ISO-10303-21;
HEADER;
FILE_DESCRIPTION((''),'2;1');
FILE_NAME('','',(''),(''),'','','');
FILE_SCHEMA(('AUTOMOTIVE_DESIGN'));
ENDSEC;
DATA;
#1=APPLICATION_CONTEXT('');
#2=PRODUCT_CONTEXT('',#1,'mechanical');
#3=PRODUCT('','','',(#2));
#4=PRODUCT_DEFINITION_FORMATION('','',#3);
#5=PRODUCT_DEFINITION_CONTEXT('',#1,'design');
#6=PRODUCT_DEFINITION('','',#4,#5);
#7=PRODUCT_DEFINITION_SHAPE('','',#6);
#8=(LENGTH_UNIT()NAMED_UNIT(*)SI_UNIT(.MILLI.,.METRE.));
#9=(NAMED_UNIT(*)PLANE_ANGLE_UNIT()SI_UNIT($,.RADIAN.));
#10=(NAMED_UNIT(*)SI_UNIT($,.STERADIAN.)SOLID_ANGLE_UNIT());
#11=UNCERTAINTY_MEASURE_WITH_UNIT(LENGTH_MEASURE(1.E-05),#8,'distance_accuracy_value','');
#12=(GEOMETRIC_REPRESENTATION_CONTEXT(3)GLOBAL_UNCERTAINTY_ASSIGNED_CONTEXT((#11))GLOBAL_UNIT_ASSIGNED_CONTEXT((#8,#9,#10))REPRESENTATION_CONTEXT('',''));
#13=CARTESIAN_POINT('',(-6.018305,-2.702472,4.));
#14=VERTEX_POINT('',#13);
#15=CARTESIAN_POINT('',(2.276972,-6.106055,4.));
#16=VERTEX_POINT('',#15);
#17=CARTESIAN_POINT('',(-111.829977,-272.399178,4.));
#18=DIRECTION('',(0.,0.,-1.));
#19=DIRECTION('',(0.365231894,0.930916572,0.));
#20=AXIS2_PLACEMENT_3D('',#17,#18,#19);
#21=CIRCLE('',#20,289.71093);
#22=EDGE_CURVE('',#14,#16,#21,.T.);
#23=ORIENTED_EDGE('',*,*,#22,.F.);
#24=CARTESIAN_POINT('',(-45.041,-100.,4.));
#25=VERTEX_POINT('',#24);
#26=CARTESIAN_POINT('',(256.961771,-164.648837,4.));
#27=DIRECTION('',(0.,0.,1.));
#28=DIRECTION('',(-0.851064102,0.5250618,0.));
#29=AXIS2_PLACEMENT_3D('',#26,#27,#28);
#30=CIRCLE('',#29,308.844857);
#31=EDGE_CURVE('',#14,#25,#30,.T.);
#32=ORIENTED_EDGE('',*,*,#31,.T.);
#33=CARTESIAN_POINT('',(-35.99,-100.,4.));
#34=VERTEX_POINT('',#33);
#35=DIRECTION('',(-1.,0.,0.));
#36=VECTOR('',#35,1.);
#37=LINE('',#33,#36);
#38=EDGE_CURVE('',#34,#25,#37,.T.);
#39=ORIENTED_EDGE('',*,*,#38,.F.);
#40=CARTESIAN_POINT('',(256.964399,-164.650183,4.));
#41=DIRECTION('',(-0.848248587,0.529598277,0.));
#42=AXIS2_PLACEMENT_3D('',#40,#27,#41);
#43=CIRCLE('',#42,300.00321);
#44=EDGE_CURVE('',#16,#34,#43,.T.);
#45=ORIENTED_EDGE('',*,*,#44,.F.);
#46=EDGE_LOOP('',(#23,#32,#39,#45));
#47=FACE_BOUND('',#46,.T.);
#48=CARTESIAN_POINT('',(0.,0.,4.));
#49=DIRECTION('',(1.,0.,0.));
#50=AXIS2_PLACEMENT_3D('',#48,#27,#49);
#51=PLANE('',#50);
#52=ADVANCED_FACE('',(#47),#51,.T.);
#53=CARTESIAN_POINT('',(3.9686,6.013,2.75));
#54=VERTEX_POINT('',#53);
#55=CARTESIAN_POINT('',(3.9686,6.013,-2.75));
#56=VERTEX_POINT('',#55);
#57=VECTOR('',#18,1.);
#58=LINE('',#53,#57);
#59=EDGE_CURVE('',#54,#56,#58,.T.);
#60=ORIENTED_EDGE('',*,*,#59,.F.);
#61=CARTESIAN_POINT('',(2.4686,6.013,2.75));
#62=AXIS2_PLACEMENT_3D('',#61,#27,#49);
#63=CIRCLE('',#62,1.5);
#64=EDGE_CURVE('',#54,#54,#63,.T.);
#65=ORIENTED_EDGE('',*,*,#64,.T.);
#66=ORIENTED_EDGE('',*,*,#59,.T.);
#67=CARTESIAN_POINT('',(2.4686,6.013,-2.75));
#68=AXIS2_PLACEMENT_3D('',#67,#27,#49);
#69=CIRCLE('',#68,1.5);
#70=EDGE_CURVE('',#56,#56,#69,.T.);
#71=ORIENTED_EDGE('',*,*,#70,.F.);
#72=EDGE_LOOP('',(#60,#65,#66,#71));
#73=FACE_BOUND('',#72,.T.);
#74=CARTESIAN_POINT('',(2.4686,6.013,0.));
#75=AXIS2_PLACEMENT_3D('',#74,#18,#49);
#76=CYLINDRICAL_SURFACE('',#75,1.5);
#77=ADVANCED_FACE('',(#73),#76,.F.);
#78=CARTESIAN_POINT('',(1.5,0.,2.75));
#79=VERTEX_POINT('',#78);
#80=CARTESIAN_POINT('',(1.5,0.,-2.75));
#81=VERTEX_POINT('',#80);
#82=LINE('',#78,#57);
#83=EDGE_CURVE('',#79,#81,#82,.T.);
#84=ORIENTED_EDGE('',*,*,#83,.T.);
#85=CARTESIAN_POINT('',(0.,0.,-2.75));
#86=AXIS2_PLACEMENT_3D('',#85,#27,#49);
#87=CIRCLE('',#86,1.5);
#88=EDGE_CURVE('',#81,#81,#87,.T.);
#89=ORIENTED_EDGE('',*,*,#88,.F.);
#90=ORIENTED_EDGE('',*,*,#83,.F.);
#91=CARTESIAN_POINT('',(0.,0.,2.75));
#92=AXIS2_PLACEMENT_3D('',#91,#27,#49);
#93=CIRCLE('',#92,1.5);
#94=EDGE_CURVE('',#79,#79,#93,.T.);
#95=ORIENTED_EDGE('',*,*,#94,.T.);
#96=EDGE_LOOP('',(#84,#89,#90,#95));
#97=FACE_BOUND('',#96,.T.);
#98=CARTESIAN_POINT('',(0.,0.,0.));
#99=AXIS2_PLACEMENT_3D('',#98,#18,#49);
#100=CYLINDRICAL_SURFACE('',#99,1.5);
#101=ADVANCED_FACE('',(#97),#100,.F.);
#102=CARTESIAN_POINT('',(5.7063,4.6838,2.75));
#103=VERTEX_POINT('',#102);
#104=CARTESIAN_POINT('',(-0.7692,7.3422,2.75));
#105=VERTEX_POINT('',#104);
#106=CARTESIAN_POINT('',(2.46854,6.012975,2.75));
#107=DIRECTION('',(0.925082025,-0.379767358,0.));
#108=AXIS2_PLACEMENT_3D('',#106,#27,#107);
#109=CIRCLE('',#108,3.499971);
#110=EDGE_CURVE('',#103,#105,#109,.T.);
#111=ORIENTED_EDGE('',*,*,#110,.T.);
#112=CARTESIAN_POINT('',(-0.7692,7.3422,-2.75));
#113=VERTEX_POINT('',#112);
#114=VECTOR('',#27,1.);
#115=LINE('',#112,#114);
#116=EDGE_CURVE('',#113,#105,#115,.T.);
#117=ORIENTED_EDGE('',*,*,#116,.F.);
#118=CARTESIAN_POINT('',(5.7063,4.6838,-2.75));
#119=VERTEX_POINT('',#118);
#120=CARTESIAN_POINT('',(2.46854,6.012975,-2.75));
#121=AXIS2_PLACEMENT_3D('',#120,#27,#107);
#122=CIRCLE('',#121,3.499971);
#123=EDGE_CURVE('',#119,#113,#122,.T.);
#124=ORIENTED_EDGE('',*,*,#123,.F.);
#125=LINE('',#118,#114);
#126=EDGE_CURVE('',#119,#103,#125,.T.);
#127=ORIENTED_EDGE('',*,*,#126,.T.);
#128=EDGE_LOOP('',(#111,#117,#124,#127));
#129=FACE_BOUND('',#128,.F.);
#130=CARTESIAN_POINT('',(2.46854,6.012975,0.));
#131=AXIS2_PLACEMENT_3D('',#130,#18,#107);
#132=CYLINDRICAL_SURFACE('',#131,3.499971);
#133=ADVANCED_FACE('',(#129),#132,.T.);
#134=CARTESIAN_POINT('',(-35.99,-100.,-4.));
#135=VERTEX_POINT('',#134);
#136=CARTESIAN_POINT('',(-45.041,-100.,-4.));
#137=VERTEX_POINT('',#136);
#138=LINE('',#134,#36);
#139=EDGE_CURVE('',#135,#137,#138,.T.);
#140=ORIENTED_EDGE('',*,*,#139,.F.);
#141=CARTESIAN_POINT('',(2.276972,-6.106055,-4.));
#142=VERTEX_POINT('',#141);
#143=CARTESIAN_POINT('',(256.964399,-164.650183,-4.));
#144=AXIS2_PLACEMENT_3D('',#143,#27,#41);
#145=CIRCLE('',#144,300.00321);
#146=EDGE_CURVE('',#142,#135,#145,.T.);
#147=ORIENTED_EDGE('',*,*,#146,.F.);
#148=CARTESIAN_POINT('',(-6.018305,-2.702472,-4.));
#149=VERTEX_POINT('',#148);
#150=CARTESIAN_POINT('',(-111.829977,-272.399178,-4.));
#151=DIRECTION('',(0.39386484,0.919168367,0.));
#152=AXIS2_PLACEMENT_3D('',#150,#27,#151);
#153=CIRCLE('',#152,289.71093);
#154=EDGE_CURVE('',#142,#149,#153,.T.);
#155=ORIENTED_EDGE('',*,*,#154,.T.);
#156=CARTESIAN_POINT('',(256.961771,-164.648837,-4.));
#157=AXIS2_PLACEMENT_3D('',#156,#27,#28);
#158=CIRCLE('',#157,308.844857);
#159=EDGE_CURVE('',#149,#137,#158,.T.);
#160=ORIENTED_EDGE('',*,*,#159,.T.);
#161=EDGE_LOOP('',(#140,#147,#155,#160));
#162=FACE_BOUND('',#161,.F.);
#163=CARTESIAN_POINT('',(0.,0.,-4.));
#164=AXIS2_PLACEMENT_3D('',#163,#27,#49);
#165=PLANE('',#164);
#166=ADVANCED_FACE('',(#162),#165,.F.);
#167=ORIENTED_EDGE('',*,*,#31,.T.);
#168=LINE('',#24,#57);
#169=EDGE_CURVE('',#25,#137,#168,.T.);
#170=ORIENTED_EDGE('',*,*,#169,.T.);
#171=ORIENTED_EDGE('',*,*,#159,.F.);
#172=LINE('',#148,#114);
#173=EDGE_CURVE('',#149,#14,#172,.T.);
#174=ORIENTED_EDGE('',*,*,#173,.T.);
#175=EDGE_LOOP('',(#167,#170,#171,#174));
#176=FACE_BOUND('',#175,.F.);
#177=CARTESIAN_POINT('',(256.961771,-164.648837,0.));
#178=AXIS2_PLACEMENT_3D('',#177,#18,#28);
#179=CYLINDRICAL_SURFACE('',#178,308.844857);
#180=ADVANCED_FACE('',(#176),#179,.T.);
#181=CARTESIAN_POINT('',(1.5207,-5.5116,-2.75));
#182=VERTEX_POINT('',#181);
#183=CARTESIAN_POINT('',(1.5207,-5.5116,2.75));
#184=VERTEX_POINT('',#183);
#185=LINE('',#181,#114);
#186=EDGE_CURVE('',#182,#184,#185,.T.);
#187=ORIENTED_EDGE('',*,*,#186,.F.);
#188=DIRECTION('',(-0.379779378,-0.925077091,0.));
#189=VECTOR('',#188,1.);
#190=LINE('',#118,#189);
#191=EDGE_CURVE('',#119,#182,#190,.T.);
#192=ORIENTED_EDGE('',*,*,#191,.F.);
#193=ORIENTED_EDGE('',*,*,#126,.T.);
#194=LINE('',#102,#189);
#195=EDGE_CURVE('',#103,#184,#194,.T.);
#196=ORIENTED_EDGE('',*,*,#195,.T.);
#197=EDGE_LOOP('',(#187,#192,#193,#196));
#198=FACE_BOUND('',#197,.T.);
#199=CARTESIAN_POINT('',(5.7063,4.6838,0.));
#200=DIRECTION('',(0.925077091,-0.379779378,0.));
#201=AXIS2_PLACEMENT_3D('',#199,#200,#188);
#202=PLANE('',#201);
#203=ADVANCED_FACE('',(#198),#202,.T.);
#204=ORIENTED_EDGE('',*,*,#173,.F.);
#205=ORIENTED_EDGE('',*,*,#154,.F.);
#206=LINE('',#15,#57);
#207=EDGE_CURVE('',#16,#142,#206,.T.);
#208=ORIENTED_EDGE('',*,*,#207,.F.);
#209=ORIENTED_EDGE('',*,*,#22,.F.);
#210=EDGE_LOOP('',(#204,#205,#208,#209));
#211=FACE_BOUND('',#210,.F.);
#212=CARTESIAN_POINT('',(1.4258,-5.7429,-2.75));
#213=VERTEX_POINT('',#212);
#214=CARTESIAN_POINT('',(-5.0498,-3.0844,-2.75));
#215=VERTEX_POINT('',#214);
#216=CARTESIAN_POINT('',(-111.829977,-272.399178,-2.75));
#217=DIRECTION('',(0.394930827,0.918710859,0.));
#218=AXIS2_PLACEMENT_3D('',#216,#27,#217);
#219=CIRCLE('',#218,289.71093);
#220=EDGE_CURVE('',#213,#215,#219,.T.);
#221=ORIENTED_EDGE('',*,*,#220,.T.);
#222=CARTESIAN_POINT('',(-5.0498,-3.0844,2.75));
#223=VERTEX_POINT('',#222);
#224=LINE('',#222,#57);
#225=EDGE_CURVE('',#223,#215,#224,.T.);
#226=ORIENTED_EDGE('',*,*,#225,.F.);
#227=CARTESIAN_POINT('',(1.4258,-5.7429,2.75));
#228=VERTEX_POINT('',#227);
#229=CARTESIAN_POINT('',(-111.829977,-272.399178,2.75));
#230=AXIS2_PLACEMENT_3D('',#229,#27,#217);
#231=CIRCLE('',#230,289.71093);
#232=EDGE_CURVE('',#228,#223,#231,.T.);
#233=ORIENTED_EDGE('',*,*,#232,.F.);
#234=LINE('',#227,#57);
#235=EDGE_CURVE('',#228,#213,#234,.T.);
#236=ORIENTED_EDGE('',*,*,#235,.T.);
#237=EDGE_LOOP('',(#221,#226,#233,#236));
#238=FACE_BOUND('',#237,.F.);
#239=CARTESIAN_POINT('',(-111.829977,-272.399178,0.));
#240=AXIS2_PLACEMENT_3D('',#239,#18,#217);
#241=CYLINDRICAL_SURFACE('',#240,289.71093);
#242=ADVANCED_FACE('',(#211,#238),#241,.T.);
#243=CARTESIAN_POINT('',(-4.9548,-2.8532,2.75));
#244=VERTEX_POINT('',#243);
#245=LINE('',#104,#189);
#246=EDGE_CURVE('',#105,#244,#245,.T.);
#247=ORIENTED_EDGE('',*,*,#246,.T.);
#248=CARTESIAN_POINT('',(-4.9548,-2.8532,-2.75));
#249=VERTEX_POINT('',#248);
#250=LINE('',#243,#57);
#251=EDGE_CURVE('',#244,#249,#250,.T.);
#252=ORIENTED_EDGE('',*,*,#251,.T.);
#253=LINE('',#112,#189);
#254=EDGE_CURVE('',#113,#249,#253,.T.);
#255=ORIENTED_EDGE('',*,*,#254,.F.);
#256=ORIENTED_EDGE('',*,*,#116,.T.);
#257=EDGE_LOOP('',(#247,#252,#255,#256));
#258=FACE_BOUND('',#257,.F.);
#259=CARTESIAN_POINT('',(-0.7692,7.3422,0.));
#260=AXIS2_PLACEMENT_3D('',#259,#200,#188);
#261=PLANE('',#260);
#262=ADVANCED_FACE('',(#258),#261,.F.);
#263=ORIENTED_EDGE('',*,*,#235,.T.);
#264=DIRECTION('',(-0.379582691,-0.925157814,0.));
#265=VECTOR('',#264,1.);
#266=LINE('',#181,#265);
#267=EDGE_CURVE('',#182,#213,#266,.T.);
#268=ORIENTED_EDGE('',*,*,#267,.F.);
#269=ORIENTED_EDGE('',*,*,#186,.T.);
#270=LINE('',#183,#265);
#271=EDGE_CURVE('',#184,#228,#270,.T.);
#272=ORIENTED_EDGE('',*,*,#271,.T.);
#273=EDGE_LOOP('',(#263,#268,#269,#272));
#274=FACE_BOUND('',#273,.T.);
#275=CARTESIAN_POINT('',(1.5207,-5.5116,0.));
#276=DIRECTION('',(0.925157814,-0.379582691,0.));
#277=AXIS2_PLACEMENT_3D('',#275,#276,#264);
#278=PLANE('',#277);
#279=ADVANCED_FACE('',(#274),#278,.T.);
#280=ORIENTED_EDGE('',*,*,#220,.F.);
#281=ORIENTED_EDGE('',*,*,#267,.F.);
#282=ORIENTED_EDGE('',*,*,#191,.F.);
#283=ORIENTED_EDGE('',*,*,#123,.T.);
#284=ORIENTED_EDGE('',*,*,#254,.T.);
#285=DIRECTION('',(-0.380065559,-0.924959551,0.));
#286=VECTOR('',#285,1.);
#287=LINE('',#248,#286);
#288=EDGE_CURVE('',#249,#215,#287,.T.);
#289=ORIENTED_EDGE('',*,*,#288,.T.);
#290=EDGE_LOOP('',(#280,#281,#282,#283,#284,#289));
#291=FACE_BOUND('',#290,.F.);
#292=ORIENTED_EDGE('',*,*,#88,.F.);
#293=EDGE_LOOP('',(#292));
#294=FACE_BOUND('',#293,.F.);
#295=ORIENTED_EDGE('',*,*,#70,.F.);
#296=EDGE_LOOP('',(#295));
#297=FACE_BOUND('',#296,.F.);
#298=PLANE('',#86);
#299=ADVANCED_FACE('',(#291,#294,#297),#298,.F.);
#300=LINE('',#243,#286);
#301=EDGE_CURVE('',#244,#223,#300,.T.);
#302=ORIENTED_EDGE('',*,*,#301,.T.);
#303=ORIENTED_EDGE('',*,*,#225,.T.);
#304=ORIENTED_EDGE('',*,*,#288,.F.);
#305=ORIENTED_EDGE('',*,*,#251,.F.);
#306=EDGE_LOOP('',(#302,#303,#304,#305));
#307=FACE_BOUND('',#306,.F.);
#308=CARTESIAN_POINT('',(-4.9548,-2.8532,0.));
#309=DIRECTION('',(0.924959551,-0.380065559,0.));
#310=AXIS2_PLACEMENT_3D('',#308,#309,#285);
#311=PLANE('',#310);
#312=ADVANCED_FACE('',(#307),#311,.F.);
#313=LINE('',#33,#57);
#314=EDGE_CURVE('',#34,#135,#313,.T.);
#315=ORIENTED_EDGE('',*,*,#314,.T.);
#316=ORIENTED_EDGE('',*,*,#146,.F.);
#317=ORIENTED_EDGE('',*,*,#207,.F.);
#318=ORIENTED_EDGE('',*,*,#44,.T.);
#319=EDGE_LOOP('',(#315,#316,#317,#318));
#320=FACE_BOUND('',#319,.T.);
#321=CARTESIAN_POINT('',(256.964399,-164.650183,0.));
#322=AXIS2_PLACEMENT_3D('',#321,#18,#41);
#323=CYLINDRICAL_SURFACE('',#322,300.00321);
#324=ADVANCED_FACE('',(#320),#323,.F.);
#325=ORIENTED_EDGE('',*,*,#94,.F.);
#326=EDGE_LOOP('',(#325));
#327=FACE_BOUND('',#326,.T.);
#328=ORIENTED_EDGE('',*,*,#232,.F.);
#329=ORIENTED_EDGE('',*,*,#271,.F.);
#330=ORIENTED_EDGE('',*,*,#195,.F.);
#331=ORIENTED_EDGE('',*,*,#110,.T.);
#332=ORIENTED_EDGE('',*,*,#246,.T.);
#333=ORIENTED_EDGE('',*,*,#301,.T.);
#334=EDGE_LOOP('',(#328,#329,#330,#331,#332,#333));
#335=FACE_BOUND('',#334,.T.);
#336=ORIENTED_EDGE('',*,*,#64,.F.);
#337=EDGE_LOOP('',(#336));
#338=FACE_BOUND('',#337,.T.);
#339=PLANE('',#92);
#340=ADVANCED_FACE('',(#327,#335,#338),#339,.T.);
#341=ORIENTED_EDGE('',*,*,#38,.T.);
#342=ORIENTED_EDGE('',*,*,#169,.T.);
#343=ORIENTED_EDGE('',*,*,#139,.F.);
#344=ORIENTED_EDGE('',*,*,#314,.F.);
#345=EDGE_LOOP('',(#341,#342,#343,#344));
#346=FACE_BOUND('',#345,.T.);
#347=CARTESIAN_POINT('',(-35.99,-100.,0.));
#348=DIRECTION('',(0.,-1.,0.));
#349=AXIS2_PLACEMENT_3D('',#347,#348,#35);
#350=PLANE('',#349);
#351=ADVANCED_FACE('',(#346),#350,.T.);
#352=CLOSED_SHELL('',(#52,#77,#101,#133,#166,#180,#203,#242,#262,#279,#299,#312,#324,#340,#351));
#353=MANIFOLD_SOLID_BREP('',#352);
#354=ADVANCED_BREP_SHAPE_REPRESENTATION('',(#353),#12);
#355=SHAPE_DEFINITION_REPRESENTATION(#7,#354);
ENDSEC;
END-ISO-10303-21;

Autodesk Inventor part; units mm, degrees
ref_plane "YZ Plane" through (0, 0, 0) normal (1, 0, 0) x (0, 1, 0)
ref_plane "XZ Plane" through (0, 0, 0) normal (0, 1, 0) x (-1, 0, 0)
ref_plane "XY Plane" through (0, 0, 0) normal (0, 0, 1) x (1, 0, 0)
sketch "Sketch1" plane through (0, 0, 0) normal (0, 0, 1) x (1, 0, 0)
  circle A0 centre (0, 0) radius 1.5
  arc A1 (20, -14.1391) -> (-59, 12.7093) centre (-111.8451, -272.4352) ccw
  line L0 (-111.8451, -272.4352) -> (0, 0) construction
  line L1 (0, 0) -> (4.5612, 11.1102) construction
  circle A2 centre (2.4686, 6.013) radius 1.5
  arc A3 (5.7063, 4.6838) -> (-0.7692, 7.3422) centre (2.4686, 6.013) ccw
  line L2 (5.7063, 4.6838) -> (1.5207, -5.5116)
  line L3 (-0.7692, 7.3422) -> (-4.9548, -2.8532)
  arc A4 (2.4871, -5.769) -> (-35.99, -100) centre (256.9615, -164.6487) ccw
  arc A5 (-5.885, -2.4862) -> (-45.041, -100) centre (256.9615, -164.6487) ccw
  line L4 (-35.99, -100) -> (-45.041, -100)
  arc A6 (2.5858, -6.2386) -> (-6.5507, -2.4942) centre (-111.8451, -272.4352) ccw
  line L5 (-4.9548, -2.8532) -> (-5.0498, -3.0844)
  line L6 (1.5207, -5.5116) -> (1.4258, -5.7429)
  point P0 (-40.5155, -100)
  point P1 (-4.9548, -2.8532)
  point P2 (2.4107, -5.8913)
  point P3 (2.2769, -6.106)
  point P4 (-6.0183, -2.7024)
  point P5 (-4.9548, -2.8532)
  dimension "d4" = 3
  dimension "d5" = 294.5
  dimension "d7" = 3
  dimension "d8" = 6.5
  dimension "d9" = 3.5
  dimension "d10" = 300
  dimension "d11" = 1
  dimension "d12" = 1
  dimension "d13" = 100
  dimension "d18" = 289.75
extrude "Extrusion1" add sketch "Sketch1" along normal mid plane 5.5 contours L6 A6 L5 A1 | A1 L3 A3 L2
extrude "Extrusion2" add sketch "Sketch1" along normal mid plane 8 contours A6 A4 L4 A5
properties part number "Picior"
